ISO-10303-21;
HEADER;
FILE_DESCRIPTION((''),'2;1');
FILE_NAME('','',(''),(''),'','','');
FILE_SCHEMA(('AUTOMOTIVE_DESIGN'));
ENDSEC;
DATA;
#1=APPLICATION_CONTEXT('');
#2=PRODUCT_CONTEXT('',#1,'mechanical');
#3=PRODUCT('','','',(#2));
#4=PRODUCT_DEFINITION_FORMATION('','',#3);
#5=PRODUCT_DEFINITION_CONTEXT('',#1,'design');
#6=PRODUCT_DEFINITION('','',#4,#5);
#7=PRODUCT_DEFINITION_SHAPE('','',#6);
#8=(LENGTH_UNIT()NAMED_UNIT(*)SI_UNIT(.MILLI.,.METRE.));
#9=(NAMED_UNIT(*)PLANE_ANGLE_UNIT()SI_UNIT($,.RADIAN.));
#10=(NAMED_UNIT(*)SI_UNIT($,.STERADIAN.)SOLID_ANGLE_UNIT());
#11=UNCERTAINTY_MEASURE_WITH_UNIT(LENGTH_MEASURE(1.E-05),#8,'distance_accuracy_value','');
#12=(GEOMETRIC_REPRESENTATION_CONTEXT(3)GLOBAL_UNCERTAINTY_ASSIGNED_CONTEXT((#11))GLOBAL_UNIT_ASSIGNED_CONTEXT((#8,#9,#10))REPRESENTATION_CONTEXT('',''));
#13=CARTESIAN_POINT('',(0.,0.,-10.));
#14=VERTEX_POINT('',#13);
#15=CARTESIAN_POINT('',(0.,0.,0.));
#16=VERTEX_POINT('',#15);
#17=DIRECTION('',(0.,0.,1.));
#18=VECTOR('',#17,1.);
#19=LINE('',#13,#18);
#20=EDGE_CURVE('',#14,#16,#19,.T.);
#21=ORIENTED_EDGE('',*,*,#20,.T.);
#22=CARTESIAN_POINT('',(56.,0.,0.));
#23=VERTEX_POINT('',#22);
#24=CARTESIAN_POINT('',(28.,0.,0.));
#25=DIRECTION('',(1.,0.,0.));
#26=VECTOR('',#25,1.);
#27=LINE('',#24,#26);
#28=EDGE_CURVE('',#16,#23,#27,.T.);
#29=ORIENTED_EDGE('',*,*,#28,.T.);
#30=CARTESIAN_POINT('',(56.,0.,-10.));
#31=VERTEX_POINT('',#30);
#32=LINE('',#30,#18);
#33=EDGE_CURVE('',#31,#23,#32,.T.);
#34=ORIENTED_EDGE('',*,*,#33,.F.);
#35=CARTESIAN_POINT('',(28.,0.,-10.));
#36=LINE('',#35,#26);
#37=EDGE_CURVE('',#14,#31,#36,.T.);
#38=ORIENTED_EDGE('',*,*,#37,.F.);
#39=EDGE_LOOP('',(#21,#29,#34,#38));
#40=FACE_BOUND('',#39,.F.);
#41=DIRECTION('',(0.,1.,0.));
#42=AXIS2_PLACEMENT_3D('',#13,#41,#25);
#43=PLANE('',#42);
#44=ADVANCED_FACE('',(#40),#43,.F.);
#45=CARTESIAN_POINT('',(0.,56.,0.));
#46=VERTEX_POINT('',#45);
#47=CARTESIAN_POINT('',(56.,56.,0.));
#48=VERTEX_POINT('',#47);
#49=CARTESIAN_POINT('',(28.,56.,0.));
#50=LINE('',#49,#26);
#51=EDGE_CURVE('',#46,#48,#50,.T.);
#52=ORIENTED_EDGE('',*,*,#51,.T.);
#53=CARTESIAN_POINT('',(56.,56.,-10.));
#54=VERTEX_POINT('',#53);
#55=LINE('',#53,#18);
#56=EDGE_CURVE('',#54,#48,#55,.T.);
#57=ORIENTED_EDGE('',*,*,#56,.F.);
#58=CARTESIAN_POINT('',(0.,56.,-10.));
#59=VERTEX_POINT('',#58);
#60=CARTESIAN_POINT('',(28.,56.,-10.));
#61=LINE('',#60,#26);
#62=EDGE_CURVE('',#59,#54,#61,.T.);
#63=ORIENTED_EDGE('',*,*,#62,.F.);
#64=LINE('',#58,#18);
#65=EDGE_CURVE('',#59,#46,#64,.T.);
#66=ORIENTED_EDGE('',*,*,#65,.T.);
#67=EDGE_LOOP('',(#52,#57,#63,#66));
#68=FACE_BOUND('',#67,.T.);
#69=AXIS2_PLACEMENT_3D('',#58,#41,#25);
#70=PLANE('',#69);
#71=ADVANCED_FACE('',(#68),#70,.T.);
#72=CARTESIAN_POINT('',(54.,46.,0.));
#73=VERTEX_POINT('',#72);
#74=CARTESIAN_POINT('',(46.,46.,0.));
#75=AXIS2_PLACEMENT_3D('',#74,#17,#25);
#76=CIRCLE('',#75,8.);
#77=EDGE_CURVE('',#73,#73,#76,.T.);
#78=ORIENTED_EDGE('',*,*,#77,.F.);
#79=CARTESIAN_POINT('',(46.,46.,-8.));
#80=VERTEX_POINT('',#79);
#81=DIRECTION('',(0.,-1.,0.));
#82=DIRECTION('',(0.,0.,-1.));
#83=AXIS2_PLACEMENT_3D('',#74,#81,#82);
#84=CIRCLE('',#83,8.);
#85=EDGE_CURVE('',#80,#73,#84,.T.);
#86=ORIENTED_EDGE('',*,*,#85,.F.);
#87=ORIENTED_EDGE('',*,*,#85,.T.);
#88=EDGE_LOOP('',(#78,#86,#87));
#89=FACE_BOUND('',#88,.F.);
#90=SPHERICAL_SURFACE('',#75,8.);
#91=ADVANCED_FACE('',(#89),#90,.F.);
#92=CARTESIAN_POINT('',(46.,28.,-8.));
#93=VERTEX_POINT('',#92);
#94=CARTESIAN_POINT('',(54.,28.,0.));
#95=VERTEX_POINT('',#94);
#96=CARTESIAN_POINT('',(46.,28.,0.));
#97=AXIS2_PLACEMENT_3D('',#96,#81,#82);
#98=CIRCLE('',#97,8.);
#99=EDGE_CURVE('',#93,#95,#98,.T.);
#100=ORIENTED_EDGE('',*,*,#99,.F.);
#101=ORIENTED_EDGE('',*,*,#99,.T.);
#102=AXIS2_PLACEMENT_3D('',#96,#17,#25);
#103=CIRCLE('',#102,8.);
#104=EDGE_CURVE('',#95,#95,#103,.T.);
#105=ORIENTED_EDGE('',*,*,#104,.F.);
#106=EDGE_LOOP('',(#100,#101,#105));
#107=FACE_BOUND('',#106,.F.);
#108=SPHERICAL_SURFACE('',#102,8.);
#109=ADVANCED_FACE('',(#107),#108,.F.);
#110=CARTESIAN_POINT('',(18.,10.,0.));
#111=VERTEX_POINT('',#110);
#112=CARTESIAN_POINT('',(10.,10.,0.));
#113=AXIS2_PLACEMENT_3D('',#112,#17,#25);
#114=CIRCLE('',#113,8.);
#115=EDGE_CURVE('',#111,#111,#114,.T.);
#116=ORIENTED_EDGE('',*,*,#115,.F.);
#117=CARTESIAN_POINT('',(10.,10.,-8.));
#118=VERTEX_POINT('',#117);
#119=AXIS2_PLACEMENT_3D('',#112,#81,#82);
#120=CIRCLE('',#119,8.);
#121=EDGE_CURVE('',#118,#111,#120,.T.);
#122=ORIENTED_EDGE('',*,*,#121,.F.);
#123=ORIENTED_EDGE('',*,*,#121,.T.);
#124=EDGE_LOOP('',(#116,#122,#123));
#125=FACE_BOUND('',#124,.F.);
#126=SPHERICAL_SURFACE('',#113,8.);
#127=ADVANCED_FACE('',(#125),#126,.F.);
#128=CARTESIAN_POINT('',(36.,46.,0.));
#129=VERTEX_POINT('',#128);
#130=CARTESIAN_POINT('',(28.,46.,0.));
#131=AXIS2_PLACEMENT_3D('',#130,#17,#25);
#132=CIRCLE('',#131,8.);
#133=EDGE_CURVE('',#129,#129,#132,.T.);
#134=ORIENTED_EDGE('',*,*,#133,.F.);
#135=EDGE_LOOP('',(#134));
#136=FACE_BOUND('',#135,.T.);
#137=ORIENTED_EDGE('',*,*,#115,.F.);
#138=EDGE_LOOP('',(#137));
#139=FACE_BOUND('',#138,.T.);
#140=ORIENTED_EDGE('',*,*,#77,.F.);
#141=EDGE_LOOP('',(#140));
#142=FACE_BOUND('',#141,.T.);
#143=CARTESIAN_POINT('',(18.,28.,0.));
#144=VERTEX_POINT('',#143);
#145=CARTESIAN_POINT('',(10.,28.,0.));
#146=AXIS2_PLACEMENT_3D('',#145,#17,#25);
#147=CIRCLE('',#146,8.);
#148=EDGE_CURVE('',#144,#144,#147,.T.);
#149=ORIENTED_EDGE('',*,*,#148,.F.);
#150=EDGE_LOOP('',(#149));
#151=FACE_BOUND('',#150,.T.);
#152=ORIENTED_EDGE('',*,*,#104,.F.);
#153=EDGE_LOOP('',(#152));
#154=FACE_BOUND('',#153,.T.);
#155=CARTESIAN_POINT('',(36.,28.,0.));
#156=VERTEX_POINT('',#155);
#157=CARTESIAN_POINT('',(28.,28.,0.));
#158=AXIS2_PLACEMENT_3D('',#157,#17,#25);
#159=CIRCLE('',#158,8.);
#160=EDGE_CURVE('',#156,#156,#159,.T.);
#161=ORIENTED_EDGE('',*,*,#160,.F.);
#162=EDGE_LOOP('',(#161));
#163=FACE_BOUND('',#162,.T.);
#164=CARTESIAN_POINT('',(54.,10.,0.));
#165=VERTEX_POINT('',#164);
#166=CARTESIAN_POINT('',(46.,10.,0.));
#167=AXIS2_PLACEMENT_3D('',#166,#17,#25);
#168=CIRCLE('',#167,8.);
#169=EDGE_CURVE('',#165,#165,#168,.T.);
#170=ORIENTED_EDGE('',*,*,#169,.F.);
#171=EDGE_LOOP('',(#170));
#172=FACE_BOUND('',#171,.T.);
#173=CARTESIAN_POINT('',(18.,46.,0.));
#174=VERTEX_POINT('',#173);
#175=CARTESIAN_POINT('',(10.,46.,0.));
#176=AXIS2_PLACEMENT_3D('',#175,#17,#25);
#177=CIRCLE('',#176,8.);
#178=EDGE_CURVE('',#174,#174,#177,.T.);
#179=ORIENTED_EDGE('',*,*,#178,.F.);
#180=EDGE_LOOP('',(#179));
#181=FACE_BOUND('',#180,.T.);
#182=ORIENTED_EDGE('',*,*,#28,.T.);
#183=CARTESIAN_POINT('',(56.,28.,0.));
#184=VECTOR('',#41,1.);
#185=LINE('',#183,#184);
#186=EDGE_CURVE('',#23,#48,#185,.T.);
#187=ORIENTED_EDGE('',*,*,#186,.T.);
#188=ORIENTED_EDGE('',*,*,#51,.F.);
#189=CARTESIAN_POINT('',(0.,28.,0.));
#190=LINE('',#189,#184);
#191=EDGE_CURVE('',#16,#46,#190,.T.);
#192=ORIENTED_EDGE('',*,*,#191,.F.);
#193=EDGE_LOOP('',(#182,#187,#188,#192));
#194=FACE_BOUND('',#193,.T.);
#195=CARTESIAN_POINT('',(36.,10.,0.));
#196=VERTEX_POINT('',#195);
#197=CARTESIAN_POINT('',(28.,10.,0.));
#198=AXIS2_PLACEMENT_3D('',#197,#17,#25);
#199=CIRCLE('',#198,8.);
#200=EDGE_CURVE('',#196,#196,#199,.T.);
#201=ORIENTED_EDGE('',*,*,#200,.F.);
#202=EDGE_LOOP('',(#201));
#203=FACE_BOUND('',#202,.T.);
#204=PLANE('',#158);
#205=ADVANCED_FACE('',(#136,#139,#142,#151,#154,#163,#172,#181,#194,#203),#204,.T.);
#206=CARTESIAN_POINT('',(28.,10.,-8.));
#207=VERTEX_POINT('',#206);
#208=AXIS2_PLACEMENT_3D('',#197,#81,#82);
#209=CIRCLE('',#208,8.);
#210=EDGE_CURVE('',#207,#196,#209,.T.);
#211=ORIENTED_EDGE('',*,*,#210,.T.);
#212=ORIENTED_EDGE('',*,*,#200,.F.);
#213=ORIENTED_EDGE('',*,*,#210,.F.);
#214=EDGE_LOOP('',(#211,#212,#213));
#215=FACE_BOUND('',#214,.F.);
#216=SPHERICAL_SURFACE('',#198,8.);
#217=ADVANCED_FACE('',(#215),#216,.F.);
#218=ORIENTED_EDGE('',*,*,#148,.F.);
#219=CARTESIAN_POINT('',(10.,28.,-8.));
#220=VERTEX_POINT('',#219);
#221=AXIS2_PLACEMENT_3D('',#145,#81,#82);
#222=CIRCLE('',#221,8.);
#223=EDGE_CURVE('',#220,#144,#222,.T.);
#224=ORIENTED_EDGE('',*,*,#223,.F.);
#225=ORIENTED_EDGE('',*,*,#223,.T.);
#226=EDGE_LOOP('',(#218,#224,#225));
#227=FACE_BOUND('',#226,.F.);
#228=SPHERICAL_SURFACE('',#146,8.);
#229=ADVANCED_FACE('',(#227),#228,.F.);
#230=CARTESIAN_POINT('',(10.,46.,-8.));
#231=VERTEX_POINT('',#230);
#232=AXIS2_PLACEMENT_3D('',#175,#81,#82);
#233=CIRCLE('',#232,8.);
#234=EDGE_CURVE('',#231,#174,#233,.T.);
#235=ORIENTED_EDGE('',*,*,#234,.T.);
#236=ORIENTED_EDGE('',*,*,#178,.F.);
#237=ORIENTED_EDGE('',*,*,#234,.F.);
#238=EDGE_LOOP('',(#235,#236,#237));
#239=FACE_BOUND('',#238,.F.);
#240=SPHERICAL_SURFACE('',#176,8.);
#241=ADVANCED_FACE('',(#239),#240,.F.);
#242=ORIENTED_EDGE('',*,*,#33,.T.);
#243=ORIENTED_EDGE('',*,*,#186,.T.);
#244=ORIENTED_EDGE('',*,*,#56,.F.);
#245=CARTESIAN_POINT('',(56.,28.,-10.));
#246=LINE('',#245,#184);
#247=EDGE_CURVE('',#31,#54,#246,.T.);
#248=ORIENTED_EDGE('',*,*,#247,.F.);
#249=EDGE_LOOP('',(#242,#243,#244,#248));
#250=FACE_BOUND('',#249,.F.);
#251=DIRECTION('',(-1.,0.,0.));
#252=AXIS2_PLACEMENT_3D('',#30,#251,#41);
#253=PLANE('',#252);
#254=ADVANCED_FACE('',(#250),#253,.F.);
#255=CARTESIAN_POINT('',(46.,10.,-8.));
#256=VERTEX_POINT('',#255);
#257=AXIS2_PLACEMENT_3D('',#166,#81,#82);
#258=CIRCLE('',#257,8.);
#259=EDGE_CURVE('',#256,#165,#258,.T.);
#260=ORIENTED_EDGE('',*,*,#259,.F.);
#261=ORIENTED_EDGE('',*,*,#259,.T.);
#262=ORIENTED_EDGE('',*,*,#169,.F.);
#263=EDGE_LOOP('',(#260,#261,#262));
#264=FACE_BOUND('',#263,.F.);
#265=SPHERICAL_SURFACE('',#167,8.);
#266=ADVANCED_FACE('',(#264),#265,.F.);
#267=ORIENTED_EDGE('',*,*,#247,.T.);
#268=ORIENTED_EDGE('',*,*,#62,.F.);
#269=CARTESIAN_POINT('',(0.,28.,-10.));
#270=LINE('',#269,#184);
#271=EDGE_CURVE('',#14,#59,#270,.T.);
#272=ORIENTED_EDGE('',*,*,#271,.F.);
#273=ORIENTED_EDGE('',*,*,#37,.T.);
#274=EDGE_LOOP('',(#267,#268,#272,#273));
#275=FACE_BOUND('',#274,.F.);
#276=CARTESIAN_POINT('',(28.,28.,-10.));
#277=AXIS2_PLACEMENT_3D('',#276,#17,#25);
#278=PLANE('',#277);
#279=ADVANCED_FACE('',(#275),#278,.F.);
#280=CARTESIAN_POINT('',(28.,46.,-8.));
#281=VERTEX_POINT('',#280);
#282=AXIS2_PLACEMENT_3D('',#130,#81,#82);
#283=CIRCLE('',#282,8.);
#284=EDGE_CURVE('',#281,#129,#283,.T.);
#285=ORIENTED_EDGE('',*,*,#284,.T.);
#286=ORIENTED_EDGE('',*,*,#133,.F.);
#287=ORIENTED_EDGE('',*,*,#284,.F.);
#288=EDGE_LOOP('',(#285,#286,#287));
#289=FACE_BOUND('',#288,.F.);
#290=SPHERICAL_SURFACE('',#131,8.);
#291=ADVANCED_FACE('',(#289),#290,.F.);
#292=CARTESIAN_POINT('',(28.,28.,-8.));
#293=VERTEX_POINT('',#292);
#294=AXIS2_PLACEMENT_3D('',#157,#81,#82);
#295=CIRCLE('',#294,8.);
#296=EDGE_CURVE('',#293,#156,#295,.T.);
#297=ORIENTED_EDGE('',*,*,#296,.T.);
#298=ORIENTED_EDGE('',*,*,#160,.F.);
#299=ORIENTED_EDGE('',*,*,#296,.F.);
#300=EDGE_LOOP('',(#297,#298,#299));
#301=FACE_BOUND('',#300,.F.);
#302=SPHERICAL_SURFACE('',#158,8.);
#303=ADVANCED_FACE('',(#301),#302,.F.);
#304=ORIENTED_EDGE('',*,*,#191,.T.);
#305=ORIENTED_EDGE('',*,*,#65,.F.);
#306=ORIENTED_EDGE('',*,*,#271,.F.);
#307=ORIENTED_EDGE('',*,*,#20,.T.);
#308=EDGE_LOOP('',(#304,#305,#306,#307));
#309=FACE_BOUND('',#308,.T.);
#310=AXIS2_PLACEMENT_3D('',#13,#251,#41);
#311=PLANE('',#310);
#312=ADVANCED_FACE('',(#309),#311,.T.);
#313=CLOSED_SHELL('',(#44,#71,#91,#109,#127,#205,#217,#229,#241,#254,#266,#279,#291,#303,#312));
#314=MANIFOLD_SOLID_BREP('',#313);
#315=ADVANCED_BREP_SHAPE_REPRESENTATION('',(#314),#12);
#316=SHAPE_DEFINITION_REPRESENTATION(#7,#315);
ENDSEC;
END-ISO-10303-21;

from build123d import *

# Parameters (mm, degrees)
ARRAY_X_COUNT = 3
ARRAY_X_PITCH = 18
ARRAY_Y_COUNT = 3
ARRAY_Y_PITCH = 18
BOX_W         = 56
BOX_H         = 56
BOX_DEPTH     = 10


with BuildPart() as array:
    # Sphere → Sphere (revolve)
    with BuildSketch(Plane.XZ):
        with BuildLine():
            ThreePointArc((0, -8), (8, 0), (0, 8))
            Line((0, 8), (0, -8))
        make_face()
    revolve(axis=Axis((0, 0, 0), (0, 0, 1)))

    # Array X: Array ×3


with BuildPart() as array_1:
    add(array.part)
    with Locations(*[(i * ARRAY_X_PITCH, 0, 0) for i in range(1, ARRAY_X_COUNT)]):
        add(array.part)

    # Array Y: Array ×3


with BuildPart() as array_2:
    add(array_1.part)
    with Locations(*[(0, i * ARRAY_Y_PITCH, 0) for i in range(1, ARRAY_Y_COUNT)]):
        add(array_1.part)


with BuildPart() as array_3:
    # Array placement: moved
    add(array_2.part.moved(Location((10, 10, 0))))


with BuildPart() as cut:
    # Box → Box (new body)
    with BuildSketch(Plane.XY.offset(-10)):
        with Locations((28, 28)):
            Rectangle(BOX_W, BOX_H)
    extrude(amount=BOX_DEPTH)

    # Cut: cut Array
    add(array_3.part, mode=Mode.SUBTRACT)


solid = cut.part
